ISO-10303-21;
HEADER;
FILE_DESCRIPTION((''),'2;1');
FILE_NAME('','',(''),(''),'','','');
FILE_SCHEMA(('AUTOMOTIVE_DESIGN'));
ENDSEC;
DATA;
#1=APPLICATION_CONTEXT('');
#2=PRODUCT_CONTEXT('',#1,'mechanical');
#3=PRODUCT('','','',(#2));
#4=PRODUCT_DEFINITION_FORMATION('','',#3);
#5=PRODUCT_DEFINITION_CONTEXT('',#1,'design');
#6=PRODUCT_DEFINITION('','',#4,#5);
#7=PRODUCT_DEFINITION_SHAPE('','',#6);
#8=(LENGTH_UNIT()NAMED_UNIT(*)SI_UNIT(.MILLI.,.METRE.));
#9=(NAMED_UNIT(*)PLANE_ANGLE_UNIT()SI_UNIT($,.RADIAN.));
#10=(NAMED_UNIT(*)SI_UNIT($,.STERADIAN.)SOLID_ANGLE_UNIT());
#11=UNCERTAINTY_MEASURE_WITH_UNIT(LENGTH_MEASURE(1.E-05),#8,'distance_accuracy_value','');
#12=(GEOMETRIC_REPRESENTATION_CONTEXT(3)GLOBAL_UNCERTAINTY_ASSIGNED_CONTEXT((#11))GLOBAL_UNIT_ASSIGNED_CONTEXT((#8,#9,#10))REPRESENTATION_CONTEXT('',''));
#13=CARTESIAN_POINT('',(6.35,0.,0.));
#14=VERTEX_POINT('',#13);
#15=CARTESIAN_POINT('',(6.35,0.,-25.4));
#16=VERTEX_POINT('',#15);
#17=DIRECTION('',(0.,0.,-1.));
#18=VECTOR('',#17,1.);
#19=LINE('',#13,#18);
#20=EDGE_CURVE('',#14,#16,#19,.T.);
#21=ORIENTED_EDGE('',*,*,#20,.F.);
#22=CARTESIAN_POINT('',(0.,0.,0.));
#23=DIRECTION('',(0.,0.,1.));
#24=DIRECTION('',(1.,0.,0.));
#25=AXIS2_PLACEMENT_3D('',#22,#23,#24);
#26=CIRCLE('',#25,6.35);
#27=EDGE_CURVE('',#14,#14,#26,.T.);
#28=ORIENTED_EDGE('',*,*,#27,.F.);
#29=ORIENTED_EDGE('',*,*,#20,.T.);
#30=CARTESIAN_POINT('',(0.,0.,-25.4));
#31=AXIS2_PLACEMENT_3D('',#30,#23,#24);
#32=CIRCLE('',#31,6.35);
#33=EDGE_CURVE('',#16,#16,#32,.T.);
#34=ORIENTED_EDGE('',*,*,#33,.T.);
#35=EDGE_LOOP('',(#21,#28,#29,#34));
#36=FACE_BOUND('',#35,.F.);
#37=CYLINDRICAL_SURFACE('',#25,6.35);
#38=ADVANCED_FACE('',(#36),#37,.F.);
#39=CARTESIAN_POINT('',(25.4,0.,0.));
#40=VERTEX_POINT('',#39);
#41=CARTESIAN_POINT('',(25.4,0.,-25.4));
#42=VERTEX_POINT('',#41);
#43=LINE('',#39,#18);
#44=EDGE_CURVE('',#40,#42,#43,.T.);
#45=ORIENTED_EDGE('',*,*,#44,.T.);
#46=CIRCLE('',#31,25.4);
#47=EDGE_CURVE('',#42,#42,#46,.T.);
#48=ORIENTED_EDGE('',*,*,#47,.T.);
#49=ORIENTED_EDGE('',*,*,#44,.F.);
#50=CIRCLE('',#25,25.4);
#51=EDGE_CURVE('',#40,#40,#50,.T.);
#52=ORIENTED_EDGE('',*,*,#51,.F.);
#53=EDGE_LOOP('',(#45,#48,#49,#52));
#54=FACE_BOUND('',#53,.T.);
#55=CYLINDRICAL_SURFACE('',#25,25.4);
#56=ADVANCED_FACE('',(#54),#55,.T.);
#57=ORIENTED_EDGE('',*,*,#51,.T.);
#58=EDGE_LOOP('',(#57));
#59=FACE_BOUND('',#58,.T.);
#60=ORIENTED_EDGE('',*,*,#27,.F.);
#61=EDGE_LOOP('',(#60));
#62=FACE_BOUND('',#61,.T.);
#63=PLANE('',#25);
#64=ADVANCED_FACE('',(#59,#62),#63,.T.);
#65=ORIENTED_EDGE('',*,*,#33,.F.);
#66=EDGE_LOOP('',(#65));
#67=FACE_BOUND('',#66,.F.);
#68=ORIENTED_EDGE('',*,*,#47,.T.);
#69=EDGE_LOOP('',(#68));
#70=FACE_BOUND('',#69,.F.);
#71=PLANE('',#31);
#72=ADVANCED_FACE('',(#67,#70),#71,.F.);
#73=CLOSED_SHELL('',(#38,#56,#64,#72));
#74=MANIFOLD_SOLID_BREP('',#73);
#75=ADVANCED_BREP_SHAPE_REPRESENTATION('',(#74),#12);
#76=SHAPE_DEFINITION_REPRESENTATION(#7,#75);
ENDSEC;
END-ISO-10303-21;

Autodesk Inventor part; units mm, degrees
ref_plane "YZ Plane" through (0, 0, 0) normal (1, 0, 0) x (0, 1, 0)
ref_plane "XZ Plane" through (0, 0, 0) normal (0, 1, 0) x (-1, 0, 0)
ref_plane "XY Plane" through (0, 0, 0) normal (0, 0, 1) x (1, 0, 0)
sketch "Sketch1" plane through (0, 0, 0) normal (0, 0, 1) x (1, 0, 0)
  circle A0 centre (0, 0) radius 25.4
  circle A1 centre (0, 0) radius 6.35
  dimension "d0" = 50.8
  dimension "d1" = 12.7
extrude "Extrusion1" add sketch "Sketch1" against normal blind 25.4
properties part number "Front Wheel"
